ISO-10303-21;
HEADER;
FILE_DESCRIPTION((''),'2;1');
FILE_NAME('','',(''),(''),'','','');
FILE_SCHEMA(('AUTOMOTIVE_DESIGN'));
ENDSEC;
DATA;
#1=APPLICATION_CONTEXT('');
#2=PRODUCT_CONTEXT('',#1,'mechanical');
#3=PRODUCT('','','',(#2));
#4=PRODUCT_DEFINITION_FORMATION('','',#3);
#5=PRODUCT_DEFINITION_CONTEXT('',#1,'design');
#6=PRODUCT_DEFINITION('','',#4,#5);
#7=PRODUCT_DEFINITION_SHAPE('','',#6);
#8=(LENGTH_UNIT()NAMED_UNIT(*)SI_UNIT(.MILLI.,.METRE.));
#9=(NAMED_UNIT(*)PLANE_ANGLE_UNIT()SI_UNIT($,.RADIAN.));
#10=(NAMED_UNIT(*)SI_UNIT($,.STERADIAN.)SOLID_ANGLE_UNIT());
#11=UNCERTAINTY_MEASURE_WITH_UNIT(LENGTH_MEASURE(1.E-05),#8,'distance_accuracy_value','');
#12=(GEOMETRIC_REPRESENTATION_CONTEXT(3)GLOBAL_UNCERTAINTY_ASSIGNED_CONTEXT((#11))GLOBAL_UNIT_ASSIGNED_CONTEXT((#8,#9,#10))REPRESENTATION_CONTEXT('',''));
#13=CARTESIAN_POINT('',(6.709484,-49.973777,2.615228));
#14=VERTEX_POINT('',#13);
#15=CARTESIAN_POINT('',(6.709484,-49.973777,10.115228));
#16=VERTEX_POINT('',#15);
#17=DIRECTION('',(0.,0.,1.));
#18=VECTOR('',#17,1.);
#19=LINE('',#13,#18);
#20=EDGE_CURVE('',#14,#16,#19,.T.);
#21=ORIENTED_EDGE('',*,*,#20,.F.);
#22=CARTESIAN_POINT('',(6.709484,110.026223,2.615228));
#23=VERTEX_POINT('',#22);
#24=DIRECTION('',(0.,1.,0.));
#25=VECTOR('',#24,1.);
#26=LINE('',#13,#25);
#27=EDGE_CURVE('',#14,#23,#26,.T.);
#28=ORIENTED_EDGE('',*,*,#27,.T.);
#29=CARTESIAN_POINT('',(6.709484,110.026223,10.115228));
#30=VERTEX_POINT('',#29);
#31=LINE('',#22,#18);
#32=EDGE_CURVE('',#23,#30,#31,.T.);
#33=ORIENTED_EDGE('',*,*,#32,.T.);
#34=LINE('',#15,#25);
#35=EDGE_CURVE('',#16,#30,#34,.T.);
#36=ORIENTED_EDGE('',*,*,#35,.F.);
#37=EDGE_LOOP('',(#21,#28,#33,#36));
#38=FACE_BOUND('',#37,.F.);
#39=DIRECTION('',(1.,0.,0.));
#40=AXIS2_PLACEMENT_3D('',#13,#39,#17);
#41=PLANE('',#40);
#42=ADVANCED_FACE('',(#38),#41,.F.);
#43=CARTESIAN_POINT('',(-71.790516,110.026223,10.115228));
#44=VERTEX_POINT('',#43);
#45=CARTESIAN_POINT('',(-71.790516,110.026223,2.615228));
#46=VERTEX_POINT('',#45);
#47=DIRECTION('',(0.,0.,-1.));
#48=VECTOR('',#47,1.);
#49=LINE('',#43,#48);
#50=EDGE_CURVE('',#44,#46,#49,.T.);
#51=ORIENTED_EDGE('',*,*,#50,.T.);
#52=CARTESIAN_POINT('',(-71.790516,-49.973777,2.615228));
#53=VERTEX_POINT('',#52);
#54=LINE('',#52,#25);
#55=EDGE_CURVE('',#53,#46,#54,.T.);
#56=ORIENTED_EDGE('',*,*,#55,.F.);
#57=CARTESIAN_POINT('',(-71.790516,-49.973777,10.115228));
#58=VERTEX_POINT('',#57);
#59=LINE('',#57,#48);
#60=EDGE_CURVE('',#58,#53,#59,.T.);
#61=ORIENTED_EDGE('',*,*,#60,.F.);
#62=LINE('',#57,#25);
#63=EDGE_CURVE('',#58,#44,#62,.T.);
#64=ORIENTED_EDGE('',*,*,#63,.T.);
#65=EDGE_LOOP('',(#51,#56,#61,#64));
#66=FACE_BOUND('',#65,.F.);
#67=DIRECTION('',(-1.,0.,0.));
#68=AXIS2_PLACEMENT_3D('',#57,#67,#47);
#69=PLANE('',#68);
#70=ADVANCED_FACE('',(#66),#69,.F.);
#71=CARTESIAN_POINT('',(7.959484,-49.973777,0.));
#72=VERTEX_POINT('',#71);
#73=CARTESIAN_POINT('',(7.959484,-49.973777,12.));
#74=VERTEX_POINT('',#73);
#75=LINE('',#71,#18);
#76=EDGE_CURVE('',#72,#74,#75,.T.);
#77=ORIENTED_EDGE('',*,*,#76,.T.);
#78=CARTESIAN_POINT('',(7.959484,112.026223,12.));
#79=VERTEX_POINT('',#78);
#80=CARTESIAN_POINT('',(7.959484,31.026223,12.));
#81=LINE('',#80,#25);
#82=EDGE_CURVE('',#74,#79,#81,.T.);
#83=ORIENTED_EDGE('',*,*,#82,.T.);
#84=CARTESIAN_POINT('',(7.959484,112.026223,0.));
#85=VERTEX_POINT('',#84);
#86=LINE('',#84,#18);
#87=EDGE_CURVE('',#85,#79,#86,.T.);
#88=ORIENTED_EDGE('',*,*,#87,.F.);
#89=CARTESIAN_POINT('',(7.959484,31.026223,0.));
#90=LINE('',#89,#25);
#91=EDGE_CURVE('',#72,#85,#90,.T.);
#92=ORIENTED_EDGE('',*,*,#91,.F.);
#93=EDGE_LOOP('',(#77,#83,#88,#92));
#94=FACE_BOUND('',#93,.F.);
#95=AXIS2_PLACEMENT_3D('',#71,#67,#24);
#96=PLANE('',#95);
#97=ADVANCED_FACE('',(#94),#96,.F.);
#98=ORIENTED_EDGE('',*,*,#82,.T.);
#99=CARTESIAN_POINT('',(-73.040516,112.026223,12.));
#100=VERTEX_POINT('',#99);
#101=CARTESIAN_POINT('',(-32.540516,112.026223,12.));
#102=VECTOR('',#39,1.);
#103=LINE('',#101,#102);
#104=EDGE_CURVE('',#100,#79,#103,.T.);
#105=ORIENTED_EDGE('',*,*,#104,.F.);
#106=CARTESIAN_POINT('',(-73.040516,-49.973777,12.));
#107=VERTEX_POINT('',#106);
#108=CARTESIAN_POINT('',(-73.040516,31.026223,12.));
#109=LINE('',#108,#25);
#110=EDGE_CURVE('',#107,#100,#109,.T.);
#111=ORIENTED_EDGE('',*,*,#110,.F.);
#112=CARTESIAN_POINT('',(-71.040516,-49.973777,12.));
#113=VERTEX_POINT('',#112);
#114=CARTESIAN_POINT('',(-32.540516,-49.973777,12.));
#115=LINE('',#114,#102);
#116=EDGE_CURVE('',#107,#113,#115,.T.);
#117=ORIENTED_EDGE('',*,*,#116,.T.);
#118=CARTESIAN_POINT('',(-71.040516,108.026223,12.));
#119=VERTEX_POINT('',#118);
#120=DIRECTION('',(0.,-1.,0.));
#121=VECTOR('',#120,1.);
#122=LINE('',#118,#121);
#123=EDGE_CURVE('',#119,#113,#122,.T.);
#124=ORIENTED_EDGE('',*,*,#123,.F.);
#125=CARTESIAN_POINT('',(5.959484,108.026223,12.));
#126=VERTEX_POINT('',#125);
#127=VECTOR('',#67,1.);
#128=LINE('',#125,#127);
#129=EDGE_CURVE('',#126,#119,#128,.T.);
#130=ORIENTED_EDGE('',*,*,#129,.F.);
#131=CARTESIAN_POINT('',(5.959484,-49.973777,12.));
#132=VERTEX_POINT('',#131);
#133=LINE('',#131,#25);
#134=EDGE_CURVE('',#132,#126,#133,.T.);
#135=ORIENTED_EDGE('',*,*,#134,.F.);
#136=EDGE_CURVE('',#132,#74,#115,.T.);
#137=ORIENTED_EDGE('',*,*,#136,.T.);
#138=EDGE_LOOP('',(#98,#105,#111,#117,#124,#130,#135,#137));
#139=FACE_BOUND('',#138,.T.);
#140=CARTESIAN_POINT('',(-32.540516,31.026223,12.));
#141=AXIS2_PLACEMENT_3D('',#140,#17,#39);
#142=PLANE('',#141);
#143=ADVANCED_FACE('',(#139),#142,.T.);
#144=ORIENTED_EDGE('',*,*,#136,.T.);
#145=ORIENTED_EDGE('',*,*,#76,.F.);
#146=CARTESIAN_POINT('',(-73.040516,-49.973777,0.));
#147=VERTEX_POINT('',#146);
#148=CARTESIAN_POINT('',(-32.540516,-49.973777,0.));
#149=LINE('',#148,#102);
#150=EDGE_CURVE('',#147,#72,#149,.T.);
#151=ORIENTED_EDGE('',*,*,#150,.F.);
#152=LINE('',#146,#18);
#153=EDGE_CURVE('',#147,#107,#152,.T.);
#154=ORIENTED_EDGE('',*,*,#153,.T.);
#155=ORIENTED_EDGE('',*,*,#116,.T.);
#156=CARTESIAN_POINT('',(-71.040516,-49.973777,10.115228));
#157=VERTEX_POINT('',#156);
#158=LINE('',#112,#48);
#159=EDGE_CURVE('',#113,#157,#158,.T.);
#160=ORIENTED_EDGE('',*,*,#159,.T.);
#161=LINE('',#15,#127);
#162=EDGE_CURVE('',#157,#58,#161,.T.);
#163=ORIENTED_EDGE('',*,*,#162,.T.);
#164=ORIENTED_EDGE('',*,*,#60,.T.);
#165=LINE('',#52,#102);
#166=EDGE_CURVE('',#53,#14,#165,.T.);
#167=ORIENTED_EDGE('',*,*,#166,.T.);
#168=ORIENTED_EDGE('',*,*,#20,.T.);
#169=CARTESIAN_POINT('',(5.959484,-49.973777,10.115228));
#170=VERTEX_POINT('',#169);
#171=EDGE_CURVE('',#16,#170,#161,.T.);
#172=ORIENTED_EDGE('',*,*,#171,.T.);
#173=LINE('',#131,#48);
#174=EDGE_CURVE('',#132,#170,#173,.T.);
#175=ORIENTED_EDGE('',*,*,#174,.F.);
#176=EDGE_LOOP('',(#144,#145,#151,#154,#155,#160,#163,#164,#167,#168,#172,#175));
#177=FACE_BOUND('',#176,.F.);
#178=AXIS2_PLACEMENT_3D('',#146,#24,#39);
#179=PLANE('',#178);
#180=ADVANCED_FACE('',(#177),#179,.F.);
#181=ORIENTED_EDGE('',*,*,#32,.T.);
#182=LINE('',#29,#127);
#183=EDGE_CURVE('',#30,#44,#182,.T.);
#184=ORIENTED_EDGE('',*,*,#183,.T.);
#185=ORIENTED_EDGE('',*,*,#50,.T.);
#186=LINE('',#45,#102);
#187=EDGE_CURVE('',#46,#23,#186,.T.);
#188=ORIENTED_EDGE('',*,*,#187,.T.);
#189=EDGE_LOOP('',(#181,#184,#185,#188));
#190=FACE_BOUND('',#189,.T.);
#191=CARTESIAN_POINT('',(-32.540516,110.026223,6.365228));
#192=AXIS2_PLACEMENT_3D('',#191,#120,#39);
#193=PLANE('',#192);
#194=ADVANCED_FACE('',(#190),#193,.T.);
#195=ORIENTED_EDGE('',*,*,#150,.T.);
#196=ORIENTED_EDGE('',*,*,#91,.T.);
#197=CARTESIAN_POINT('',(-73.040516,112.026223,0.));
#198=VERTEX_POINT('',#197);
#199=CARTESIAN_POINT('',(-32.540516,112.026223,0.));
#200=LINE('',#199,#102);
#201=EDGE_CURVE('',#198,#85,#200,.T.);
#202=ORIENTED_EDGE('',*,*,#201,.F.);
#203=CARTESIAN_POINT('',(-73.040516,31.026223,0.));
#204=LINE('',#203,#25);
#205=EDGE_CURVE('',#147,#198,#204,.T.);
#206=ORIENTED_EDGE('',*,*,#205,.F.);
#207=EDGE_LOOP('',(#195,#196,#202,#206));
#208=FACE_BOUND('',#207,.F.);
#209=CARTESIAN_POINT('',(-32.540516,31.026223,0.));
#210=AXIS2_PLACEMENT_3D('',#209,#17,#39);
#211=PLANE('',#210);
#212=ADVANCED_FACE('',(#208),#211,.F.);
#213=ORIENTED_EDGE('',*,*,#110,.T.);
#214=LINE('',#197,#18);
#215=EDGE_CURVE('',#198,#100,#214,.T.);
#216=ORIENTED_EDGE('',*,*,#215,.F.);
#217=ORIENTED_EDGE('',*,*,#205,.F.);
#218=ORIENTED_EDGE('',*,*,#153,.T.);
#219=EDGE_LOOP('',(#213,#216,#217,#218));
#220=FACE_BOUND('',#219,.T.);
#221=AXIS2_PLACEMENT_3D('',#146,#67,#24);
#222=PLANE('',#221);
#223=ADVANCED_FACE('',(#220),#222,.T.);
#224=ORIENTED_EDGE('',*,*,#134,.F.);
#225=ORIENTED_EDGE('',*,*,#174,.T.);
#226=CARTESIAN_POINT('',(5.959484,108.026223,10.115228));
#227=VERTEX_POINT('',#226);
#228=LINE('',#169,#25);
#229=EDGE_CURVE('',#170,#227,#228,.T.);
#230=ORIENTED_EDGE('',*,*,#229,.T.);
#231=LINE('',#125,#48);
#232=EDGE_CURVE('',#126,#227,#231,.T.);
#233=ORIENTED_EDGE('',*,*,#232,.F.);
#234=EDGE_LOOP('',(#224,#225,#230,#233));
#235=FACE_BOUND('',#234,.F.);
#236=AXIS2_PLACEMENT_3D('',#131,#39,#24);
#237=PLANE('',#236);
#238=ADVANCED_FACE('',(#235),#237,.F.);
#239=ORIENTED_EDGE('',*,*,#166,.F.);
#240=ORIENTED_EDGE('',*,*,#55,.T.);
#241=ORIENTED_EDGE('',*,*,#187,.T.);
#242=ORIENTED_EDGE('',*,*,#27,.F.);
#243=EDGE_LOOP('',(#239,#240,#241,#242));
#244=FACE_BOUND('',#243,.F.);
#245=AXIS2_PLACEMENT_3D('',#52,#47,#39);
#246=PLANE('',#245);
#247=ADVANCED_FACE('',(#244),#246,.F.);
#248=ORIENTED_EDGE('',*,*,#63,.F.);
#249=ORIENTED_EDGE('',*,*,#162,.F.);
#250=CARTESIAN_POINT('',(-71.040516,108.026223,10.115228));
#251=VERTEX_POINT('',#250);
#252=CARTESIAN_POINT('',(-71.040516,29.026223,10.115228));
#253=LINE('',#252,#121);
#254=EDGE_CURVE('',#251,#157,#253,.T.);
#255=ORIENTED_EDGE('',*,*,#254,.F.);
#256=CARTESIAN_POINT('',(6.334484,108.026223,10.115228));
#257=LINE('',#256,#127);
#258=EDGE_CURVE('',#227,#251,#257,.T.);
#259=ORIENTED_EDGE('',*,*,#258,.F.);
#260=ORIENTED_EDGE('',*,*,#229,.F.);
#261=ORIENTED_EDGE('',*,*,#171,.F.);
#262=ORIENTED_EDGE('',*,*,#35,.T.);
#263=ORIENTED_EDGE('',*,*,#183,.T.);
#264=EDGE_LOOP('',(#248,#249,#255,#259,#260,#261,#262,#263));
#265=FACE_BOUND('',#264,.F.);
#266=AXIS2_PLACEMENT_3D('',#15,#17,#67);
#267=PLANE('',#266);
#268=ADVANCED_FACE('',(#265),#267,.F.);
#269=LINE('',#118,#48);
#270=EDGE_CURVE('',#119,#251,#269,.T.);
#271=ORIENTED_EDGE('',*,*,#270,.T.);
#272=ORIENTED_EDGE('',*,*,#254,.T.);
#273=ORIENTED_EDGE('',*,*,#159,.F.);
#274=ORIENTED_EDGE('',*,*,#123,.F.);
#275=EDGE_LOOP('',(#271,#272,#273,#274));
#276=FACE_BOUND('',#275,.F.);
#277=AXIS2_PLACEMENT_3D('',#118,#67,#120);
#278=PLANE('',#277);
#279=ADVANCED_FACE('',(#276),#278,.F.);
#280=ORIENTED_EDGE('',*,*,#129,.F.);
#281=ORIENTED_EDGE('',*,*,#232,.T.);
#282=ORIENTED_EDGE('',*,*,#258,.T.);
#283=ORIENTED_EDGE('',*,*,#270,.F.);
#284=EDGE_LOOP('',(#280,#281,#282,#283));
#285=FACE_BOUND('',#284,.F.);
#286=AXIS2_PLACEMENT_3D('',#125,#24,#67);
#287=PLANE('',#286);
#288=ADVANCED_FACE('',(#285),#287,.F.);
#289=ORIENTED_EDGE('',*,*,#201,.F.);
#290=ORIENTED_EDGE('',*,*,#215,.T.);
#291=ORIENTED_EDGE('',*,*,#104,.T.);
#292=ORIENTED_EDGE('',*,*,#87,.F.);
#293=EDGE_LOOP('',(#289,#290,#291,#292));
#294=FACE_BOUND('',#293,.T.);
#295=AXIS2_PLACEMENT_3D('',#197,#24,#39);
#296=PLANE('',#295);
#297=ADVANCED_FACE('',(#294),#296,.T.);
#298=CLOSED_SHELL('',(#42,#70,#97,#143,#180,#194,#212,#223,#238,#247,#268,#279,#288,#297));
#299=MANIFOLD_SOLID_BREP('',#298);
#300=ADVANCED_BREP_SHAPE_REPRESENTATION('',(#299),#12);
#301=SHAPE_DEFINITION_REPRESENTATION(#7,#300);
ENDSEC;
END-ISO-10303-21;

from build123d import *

# Parameters (mm, degrees)
F0_W     = 81
F0_H     = 162
F1_DEPTH = 12
F3_DEPTH = 160
F5_DEPTH = 7.431314


with BuildPart() as f1:
    # F0 (on Top) → F1 (new body)
    with BuildSketch(Plane.XY):
        with Locations((-32.540516, 31.026223)):
            Rectangle(F0_W, F0_H)
    extrude(amount=F1_DEPTH)

    # F2 (on face) → F3 (cut)
    with BuildSketch(Plane.XZ.offset(49.973777)):
        Polygon((6.709484, 7.660007), (6.709484, 10.115228), (-71.790516, 10.115228), (-71.790516, 7.937757), (-71.790516, 2.615228), (6.709484, 2.615228), align=None)
    extrude(amount=-F3_DEPTH, mode=Mode.SUBTRACT)

    # F4 (on face) → F5 (cut)
    with BuildSketch(Plane.XY.offset(12)):
        Polygon((5.959484, 108.026223), (-71.040516, 108.026223), (-71.040516, -44.254787), (-71.040516, -49.973777), (5.959484, -49.973777), (5.959484, -43.884151), align=None)
    extrude(amount=-F5_DEPTH, mode=Mode.SUBTRACT)


solid = f1.part
